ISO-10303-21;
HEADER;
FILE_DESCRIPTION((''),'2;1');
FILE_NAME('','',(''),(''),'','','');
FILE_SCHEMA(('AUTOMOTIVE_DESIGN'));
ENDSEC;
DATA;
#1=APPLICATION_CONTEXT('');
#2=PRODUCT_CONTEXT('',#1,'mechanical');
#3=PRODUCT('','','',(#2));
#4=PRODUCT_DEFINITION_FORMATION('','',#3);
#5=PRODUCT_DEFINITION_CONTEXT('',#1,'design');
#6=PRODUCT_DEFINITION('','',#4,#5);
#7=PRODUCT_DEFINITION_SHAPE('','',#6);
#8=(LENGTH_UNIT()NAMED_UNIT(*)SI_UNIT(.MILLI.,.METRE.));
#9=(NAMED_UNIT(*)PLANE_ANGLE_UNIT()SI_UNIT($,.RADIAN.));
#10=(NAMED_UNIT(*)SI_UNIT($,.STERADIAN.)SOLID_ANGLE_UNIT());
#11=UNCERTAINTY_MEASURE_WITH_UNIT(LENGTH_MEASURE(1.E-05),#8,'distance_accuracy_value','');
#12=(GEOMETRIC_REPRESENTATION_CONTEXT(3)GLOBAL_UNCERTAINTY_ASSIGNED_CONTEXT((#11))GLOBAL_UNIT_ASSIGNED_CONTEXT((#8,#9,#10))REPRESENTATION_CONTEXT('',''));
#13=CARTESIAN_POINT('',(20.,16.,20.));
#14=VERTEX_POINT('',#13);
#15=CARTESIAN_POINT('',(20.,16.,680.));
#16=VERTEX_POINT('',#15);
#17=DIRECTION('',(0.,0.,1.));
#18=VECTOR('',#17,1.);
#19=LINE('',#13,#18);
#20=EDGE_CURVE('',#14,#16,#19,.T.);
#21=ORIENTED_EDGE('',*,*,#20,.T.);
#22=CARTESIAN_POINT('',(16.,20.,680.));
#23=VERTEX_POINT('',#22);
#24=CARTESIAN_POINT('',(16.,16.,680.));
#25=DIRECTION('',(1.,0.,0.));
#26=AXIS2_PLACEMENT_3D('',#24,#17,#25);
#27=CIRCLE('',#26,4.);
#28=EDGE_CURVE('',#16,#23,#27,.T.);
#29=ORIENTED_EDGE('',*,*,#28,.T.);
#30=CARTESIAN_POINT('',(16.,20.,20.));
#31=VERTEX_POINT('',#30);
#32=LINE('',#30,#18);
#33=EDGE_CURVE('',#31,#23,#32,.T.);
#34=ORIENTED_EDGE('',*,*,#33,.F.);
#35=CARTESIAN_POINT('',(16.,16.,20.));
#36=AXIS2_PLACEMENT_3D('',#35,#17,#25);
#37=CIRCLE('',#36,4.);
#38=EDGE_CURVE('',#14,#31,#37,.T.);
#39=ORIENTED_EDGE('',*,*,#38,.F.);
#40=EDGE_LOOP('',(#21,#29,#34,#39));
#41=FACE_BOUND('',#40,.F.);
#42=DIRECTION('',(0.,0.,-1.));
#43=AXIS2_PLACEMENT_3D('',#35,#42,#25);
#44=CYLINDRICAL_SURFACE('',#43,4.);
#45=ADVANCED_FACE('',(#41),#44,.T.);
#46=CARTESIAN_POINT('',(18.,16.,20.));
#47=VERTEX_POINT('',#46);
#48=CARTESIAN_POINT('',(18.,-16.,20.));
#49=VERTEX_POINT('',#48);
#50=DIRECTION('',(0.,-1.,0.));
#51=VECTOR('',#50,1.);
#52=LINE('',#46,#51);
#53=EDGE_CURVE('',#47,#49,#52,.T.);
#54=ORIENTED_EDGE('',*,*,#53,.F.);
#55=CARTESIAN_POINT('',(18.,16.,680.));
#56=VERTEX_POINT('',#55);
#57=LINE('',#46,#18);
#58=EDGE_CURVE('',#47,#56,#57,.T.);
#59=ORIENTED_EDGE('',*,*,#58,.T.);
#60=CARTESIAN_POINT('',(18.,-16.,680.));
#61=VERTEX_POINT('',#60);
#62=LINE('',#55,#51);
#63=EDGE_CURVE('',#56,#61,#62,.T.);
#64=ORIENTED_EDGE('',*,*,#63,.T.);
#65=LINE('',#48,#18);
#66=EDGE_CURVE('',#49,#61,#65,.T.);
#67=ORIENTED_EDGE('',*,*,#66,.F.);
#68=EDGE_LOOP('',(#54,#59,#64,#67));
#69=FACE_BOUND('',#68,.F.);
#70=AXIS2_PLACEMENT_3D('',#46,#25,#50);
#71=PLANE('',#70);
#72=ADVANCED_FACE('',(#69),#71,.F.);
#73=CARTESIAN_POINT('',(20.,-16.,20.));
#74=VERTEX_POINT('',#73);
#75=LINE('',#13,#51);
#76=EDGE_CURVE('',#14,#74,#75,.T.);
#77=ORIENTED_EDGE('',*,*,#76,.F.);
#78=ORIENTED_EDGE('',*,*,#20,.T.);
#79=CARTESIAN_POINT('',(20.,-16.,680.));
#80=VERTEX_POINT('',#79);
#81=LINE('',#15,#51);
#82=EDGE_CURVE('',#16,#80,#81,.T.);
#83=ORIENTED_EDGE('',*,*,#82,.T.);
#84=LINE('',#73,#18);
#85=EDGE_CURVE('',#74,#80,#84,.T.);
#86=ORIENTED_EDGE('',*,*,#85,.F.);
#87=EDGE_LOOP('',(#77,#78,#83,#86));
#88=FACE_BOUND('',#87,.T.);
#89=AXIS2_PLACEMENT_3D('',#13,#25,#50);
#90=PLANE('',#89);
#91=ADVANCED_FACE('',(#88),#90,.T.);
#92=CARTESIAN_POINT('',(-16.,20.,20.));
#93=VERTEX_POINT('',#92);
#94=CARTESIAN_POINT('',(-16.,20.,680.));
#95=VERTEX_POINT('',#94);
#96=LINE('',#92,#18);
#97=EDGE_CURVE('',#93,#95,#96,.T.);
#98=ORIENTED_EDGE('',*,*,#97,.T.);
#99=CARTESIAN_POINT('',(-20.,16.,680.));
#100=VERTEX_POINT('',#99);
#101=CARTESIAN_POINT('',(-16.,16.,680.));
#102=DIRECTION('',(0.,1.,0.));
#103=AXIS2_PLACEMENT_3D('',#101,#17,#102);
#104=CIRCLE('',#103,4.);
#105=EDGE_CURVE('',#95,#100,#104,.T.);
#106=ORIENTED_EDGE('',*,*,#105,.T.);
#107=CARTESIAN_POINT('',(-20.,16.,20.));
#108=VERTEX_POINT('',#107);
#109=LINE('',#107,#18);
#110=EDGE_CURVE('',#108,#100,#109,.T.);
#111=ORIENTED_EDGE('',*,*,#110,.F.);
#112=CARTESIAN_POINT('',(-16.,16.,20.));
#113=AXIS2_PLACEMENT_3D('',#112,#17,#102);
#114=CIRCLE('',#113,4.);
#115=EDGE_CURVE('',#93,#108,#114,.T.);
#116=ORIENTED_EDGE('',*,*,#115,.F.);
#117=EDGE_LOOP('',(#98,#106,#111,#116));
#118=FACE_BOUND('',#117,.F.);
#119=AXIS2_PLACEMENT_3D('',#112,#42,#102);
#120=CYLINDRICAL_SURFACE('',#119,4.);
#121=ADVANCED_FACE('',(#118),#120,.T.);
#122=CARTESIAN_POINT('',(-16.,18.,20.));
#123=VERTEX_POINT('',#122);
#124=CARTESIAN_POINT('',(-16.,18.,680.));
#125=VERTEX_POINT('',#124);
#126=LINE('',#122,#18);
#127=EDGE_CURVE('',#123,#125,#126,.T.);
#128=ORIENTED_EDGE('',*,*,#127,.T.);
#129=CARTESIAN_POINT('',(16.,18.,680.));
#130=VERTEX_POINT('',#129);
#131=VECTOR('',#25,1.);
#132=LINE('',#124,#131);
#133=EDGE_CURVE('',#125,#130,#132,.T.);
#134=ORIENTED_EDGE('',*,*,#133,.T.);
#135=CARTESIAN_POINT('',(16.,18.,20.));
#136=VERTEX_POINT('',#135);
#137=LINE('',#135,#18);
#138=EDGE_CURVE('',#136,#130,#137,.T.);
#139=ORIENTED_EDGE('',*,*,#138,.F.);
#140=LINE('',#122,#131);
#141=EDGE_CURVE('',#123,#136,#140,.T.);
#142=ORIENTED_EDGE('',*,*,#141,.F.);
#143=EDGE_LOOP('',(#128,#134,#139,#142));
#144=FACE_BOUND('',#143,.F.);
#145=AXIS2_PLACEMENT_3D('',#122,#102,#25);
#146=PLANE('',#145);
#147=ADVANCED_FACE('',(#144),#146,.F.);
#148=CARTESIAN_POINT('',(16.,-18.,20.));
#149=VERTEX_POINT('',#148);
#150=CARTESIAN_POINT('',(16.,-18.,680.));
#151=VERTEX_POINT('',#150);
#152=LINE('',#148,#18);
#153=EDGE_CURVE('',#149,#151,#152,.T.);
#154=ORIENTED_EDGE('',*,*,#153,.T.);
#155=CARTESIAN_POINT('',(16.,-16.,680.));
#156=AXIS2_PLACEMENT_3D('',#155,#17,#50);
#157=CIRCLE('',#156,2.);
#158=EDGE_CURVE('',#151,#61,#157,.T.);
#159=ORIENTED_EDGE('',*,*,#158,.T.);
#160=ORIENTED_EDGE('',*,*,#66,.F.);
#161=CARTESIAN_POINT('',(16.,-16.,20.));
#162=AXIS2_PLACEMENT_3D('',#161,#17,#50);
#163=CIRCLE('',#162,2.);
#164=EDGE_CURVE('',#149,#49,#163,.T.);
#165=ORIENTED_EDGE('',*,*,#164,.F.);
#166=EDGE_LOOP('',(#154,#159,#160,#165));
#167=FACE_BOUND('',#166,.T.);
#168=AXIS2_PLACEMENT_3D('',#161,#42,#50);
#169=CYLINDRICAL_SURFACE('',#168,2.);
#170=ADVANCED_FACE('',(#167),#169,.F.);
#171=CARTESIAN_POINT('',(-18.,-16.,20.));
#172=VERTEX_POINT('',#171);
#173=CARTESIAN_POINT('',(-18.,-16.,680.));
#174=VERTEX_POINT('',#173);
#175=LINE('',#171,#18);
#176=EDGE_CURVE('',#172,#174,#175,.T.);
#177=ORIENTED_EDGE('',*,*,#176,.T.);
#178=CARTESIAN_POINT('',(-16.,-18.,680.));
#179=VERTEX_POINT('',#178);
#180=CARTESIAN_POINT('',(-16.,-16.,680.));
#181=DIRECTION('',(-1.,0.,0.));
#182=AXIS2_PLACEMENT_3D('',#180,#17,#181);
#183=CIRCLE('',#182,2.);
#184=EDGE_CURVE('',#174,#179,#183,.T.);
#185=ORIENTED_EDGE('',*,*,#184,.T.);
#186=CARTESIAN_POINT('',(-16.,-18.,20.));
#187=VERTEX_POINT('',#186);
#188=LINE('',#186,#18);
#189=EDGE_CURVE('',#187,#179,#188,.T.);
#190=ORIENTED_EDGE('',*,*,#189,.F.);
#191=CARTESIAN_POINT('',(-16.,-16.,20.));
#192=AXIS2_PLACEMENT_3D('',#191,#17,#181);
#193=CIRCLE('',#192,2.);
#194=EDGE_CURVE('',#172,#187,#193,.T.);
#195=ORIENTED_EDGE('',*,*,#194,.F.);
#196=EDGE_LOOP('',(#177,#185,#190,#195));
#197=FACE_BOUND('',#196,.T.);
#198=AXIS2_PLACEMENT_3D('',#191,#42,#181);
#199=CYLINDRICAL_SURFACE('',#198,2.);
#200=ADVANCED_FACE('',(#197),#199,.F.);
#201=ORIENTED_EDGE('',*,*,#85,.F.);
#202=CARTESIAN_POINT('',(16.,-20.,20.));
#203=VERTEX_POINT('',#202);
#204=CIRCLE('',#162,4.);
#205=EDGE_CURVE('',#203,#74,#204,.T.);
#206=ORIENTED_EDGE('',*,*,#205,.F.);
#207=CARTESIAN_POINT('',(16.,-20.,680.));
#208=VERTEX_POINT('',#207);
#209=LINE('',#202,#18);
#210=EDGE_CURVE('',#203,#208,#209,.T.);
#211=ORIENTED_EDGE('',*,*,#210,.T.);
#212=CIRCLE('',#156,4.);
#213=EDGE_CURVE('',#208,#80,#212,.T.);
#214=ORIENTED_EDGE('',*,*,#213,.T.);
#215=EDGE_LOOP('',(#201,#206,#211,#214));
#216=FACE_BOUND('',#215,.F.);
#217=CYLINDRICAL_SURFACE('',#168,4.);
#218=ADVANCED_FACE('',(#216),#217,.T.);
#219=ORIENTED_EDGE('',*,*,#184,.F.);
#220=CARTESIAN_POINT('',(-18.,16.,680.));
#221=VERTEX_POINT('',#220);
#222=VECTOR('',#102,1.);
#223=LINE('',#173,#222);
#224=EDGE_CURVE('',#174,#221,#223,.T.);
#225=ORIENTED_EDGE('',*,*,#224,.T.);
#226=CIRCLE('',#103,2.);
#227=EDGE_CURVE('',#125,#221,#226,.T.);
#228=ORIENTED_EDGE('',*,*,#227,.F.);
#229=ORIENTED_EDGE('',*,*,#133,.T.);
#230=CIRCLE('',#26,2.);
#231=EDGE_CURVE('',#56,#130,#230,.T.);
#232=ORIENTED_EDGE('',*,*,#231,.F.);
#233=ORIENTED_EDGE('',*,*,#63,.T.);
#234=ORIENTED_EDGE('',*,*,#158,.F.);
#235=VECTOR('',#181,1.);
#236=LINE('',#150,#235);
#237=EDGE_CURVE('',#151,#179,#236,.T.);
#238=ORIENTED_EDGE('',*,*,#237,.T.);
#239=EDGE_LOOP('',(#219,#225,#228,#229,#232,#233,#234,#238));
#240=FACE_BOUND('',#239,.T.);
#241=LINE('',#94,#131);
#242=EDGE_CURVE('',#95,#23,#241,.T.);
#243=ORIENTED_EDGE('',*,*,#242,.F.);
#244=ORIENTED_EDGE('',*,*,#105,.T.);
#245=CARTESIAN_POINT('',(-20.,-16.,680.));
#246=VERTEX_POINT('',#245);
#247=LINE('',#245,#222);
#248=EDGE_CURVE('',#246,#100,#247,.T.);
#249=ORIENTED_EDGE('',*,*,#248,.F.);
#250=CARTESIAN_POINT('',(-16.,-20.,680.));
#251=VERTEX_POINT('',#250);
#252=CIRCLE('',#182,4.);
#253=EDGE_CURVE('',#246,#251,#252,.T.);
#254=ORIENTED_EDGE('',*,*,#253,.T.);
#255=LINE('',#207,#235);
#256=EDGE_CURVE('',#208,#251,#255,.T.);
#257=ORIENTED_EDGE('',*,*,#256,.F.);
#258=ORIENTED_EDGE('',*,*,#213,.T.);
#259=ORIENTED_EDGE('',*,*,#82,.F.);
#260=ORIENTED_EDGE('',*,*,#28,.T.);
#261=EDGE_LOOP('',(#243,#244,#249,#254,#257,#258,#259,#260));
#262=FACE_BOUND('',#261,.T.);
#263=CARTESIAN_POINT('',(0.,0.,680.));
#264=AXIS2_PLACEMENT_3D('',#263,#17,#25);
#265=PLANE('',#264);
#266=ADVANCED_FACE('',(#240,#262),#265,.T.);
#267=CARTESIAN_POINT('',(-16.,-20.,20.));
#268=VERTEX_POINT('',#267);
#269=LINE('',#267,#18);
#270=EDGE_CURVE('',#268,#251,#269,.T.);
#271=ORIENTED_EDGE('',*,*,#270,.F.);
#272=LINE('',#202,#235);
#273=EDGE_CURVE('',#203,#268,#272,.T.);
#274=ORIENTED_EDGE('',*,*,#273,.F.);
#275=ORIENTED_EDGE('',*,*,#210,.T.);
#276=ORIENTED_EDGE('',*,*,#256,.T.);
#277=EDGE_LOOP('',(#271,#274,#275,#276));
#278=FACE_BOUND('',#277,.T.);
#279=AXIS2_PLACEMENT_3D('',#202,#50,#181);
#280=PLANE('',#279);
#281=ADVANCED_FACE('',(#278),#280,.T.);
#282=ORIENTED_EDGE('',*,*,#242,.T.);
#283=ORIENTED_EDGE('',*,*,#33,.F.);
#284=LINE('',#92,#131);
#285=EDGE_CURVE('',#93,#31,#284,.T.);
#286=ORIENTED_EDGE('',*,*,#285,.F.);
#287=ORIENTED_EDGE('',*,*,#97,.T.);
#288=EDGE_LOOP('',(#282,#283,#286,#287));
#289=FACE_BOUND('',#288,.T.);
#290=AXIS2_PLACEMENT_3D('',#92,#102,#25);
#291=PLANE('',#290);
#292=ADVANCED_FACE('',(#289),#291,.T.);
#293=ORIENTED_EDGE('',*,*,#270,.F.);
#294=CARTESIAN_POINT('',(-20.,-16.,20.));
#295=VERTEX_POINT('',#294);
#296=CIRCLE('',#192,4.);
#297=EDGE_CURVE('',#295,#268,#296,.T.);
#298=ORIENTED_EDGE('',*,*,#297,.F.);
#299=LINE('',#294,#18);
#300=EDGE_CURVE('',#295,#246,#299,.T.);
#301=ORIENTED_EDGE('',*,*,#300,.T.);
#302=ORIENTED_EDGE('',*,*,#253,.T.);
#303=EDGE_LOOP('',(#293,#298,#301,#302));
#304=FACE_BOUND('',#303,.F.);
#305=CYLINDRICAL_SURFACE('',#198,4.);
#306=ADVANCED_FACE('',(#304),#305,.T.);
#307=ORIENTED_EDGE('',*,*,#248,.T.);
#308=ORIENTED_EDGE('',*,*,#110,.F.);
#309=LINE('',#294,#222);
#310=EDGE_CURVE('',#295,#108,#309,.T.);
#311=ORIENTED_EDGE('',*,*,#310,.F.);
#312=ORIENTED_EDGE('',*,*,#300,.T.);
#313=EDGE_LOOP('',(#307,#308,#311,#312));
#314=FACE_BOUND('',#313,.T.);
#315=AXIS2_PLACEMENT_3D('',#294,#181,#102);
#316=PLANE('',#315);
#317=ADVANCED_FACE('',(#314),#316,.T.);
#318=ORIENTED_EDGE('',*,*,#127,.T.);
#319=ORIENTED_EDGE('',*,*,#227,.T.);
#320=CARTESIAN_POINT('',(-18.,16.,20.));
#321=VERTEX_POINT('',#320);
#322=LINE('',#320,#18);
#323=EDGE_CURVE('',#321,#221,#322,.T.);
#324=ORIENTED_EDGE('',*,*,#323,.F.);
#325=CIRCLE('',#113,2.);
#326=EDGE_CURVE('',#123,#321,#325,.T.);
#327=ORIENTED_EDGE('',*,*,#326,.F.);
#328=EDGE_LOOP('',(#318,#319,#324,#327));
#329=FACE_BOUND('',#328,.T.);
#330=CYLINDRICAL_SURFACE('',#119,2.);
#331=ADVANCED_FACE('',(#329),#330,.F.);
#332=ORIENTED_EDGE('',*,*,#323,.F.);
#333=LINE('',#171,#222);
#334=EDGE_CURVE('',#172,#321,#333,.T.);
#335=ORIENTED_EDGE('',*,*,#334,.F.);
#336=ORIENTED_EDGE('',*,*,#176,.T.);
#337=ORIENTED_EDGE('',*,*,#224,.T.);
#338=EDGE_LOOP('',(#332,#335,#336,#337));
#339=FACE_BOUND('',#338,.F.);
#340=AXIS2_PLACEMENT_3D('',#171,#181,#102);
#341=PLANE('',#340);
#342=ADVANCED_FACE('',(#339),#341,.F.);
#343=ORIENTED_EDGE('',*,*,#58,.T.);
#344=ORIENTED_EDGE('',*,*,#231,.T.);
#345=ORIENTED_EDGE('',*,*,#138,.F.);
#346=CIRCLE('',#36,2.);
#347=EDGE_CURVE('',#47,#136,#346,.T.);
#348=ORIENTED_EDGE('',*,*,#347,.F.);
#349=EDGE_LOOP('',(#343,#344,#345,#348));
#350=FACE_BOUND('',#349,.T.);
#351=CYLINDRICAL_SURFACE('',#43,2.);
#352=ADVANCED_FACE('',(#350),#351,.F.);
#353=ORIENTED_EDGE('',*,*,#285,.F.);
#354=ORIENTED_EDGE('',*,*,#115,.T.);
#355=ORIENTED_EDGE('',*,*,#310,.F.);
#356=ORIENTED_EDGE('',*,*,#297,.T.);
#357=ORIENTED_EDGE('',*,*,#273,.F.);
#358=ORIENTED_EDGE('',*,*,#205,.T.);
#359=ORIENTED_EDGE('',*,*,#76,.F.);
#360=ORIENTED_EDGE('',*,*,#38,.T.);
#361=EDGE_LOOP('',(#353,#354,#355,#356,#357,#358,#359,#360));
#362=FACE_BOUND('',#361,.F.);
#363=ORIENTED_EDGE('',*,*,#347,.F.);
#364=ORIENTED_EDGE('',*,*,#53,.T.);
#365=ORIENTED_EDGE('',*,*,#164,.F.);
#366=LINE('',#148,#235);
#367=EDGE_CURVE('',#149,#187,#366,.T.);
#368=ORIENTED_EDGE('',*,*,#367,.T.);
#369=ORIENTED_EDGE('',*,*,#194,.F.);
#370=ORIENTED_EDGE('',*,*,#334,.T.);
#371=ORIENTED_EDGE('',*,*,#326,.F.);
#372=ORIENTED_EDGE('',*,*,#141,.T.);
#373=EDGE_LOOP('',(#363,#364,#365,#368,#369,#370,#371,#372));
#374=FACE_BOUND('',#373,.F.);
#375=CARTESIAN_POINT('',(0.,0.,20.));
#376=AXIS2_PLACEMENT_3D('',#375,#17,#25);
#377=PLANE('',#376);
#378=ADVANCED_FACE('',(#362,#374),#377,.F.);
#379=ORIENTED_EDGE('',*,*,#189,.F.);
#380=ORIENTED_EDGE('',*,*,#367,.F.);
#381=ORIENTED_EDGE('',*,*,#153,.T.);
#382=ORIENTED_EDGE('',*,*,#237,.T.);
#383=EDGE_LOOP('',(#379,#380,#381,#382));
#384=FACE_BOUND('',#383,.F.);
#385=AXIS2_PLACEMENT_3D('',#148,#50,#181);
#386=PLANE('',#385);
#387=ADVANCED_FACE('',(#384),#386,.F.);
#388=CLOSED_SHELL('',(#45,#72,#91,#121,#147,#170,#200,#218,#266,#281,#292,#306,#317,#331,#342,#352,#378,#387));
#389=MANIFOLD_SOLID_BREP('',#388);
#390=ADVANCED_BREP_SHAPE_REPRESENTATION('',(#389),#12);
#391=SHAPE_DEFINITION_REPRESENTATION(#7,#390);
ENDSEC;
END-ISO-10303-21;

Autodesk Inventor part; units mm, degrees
ref_plane "YZ Plane" through (0, 0, 0) normal (1, 0, 0) x (0, 1, 0)
ref_plane "Start Plane" through (0, 0, 20) normal (0, 0, 1) x (1, 0, 0)
ref_plane "End Plane" through (0, 0, 680) normal (0, 0, 1) x (1, 0, 0)
sketch "Sketch" plane through (0, 0, 0) normal (0, 0, 1) x (1, 0, 0)
  line L0 (-20, -16) -> (-20, 16)
  line L1 (-16, 20) -> (16, 20)
  line L2 (20, 16) -> (20, -16)
  line L3 (16, -20) -> (-16, -20)
  arc A0 (-20, -16) -> (-16, -20) centre (-16, -16) ccw
  arc A1 (20, 16) -> (16, 20) centre (16, 16) ccw
  arc A2 (-16, 20) -> (-20, 16) centre (-16, 16) ccw
  arc A3 (16, -20) -> (20, -16) centre (16, -16) ccw
  arc A4 (-16, 18) -> (-18, 16) centre (-16, 16) ccw
  line L4 (-16, 18) -> (16, 18)
  arc A5 (18, 16) -> (16, 18) centre (16, 16) ccw
  line L5 (18, 16) -> (18, -16)
  arc A6 (16, -18) -> (18, -16) centre (16, -16) ccw
  line L6 (16, -18) -> (-16, -18)
  arc A7 (-18, -16) -> (-16, -18) centre (-16, -16) ccw
  line L7 (-18, -16) -> (-18, 16)
  line L8 (0, 29.1598) -> (0, -29.1598) construction
  line L9 (-29.1598, 0) -> (29.1598, 0) construction
  dimension "d7" = 4
  dimension "d9" = 40
  dimension "d11" = 40
  dimension "d12" = 2
  dimension "d15" = 20
  dimension "d16" = 20
extrude "Body" add sketch "Sketch" along normal up to surface (660 mm away) from surface at 20
sketch "Sketch3" plane through (0, 0, 0) normal (0, 0, 1) x (1, 0, 0)
  line L0 (0, 0) -> (10, 0)
ref_plane "Work Plane3" through (0, 0, 0) normal (0, -1, 0) x (1, 0, 0)
sketch "Sketch4" plane through (0, 0, 0) normal (0, -1, 0) x (1, 0, 0)
  line L0 (-2, 20) -> (12, 20) projected
  line L1 (-2, 680) -> (12, 680) projected
  dimension "d18" = 660
equation "\"d7\" = G_IR"
equation "\"d9\" = G_W"
equation "\"d11\" = G_H"
equation "\"d12\" = G_T"
equation "\"d15\" = 0.5 * d9"
equation "\"d16\" = 0.5 * d11"
equation "\"d3\" = G_L"
equation "\"G_W\" = 40"
equation "\"G_H\" = 40"
equation "\"G_T\" = 2"
equation "\"G_IR\" = 4"
equation "\"G_L\" = d18"
properties part number "ISO 10799-2 - 40x40x2 - 660" material "Steel, Mild"
